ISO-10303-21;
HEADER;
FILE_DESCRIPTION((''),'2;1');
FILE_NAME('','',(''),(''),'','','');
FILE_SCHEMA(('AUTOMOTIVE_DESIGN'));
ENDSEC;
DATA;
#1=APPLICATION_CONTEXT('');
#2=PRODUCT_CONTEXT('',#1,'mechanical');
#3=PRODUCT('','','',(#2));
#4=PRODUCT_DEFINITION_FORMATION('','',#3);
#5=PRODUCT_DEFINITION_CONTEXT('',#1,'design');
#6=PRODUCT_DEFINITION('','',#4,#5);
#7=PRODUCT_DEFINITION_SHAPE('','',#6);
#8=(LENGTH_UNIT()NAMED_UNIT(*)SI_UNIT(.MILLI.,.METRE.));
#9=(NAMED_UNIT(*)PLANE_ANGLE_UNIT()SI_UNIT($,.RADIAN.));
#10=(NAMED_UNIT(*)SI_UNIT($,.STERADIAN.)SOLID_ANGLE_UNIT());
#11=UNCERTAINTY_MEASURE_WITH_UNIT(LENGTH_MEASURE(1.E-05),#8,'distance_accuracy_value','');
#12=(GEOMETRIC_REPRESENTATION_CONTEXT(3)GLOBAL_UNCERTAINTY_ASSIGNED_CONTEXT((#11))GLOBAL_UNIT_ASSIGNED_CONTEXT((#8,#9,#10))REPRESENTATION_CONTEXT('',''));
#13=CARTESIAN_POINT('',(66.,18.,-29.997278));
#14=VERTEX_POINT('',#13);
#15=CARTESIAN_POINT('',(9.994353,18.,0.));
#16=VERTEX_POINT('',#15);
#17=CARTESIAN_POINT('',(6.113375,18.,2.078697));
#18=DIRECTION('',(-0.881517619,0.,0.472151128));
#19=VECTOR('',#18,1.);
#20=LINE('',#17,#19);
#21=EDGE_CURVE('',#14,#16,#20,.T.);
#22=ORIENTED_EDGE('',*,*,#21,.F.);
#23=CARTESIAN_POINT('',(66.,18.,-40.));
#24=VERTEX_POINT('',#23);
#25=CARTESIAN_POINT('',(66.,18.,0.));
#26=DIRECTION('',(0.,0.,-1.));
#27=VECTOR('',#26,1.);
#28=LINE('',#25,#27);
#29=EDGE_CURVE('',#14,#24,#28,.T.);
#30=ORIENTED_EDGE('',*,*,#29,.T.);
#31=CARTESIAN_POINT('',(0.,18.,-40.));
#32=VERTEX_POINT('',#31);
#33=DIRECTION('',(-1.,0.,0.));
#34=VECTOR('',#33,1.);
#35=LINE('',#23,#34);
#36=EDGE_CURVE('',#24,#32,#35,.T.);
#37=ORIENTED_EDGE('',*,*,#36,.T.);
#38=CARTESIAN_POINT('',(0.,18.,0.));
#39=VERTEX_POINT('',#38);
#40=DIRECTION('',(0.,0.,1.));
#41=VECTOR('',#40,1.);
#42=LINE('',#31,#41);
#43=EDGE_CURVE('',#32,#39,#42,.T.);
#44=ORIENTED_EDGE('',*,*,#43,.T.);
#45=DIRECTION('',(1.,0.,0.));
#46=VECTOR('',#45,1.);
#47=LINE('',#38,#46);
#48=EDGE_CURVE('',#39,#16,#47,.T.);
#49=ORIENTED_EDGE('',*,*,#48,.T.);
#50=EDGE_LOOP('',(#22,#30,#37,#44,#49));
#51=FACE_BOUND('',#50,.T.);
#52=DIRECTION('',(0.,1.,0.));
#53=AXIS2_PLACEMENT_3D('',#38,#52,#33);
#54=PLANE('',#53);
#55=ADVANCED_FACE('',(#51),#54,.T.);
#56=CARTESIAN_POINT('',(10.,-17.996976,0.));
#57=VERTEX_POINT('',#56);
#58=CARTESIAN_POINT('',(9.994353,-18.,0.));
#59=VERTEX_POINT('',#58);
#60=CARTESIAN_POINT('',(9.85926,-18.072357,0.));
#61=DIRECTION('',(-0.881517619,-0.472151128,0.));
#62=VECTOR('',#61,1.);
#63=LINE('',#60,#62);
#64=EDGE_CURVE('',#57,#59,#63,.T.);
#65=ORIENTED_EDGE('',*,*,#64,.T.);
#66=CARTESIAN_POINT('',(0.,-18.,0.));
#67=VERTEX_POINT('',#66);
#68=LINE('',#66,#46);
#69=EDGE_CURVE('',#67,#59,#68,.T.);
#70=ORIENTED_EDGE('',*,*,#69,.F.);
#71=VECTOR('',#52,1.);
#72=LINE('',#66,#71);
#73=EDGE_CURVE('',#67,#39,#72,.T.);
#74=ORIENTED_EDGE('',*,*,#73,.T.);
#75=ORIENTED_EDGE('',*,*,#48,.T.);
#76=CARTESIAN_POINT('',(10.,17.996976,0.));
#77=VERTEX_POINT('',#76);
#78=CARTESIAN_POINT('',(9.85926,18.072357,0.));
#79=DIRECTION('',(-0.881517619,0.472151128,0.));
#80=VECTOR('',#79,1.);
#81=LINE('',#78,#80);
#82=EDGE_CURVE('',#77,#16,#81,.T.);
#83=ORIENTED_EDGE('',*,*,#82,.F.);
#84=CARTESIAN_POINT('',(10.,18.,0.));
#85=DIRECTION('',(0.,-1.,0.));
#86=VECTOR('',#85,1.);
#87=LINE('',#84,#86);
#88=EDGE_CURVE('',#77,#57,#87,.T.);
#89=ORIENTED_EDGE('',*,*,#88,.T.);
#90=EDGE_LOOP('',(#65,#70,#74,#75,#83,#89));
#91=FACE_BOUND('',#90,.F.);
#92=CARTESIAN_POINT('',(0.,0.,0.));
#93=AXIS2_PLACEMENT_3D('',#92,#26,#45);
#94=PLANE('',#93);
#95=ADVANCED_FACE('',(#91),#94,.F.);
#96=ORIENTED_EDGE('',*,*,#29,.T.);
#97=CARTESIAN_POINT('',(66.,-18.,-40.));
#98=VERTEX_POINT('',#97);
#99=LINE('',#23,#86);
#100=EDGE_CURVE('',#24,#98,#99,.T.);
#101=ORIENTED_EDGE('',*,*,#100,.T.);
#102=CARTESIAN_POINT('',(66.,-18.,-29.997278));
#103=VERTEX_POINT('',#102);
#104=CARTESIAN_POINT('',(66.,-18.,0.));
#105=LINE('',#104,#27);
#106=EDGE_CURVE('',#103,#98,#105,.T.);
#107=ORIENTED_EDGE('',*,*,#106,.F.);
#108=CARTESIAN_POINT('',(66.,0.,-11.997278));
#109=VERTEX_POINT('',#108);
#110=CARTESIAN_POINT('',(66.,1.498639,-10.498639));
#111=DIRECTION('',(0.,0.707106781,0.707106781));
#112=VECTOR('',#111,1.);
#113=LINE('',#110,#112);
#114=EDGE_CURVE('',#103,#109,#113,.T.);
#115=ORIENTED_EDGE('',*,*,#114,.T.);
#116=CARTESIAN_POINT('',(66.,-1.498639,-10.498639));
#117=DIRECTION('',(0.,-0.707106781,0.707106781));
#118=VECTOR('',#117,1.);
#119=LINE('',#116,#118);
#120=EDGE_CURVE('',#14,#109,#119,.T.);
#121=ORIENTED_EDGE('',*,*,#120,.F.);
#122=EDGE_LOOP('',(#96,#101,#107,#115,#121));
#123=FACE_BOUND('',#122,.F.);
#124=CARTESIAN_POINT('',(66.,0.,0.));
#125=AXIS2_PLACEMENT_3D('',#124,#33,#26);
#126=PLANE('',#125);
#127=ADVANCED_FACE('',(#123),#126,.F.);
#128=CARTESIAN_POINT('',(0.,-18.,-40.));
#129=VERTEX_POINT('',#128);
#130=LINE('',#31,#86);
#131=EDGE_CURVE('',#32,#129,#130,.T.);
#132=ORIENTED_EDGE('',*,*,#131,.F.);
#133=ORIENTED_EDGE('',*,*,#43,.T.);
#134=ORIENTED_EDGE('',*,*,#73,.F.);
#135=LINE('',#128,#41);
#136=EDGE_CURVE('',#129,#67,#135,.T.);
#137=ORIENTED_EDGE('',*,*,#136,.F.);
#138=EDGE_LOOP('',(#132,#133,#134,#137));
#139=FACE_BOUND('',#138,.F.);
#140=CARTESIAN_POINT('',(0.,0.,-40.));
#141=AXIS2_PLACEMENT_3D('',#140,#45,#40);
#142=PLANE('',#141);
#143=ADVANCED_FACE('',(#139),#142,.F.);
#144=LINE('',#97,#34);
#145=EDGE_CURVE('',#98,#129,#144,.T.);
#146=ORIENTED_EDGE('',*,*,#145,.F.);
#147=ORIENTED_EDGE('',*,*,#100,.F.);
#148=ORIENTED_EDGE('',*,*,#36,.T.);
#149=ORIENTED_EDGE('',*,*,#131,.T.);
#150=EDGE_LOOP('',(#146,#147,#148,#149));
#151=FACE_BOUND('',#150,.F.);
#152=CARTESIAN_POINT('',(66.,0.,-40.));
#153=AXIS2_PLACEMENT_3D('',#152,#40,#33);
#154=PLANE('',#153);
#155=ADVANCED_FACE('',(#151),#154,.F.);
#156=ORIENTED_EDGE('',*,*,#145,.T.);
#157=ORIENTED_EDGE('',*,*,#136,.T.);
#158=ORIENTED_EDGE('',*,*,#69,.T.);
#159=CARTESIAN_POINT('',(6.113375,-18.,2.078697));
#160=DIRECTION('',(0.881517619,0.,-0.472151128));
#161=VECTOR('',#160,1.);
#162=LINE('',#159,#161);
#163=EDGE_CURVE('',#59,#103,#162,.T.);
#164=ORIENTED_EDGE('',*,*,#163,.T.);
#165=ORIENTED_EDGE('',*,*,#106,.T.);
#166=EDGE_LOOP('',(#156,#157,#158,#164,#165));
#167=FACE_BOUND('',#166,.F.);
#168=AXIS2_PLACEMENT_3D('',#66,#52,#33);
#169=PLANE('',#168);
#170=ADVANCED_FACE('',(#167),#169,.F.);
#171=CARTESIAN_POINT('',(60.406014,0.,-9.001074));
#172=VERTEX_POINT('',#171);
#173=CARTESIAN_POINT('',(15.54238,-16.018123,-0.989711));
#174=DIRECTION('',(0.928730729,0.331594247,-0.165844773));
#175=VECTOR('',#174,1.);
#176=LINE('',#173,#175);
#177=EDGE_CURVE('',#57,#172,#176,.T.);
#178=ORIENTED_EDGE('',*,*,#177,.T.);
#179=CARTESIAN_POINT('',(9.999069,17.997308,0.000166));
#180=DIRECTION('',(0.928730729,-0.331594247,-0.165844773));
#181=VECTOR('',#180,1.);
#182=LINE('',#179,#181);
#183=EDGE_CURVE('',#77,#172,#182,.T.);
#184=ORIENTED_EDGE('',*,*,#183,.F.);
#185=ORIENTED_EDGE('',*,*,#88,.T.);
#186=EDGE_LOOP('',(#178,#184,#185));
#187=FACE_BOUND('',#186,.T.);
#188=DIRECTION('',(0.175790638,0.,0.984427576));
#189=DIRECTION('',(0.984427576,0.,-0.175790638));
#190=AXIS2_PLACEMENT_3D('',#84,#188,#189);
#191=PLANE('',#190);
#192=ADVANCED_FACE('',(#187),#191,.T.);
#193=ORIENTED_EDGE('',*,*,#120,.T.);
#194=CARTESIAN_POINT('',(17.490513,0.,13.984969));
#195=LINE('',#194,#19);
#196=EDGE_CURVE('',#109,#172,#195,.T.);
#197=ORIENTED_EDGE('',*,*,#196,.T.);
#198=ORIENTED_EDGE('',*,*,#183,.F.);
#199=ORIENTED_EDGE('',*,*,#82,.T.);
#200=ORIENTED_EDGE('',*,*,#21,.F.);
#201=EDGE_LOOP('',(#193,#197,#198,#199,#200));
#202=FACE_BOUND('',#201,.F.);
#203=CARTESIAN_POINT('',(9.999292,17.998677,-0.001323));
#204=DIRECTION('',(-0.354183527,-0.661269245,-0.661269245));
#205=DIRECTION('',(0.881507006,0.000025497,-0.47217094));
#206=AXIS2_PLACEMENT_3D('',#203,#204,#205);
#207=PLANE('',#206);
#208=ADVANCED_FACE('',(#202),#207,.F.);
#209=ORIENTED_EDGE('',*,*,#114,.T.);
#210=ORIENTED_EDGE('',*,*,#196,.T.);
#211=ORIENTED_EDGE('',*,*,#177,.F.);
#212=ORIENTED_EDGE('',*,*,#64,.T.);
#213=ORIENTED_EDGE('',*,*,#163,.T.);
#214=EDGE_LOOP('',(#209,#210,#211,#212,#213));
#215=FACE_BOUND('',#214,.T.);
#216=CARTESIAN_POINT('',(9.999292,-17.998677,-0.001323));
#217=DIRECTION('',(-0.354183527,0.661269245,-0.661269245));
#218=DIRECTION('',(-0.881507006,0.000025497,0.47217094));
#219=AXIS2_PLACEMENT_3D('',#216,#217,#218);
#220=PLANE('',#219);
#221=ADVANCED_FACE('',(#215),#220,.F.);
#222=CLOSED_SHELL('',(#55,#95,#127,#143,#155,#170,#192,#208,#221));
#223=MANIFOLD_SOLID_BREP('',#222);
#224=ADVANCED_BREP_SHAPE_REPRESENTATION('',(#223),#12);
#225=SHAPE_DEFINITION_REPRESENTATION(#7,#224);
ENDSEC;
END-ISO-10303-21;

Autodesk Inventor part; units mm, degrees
ref_plane "YZ Plane" through (0, 0, 0) normal (1, 0, 0) x (0, 1, 0)
ref_plane "XZ Plane" through (0, 0, 0) normal (0, 1, 0) x (-1, 0, 0)
sketch "草圖1" plane through (0, 0, 0) normal (0, 1, 0) x (-1, 0, 0)
  line L0 (0, 0) -> (-66, 0)
  line L1 (-66, 0) -> (-66, -40)
  line L2 (-66, -40) -> (0, -40)
  line L3 (0, -40) -> (0, 0)
  dimension "d0" = 66
  dimension "d1" = 40
extrude "擠出1" add sketch "草圖1" along normal mid plane 36
sketch "草圖2" plane through (0, 18, 0) normal (0, 1, 0) x (1, 0, 0)
  line L0 (0, 0) -> (66, 0) projected
  line L1 (10, 0) -> (66, 10)
  line L2 (66, 0) -> (66, 40) projected
  dimension "d4" = 10
  dimension "d5" = 30
extrude "擠出2" cut sketch "草圖2" against normal blind 40
sketch "草圖3" plane through (66, -18, -40) normal (1, 0, 0) x (0, 0, -1)
  line L0 (-30, 16) -> (-10, 36)
  line L1 (0, 36) -> (-40, 36) projected
  line L2 (-30, 36) -> (-30, 0) projected
  point P0 (-40, 18)
  dimension "d8" = 20
  dimension "d9" = 20
ref_plane "工作平面1" through (10, 18, 0) normal (-0.3542, -0.6613, -0.6613) x (0.8815, 0, -0.4722)
sketch "草圖4" plane through (10, 18, 0) normal (-0.3542, -0.6613, -0.6613) x (0.8815, 0, -0.4722)
  line L0 (-15.1543, -12.3218) -> (93.717, -12.3218)
  line L1 (93.717, -12.3218) -> (93.717, 28.8166)
  line L2 (93.717, 28.8166) -> (-15.1543, 28.8166)
  line L3 (-15.1543, 28.8166) -> (-15.1543, -12.3218)
  point P0 (-8.8148, 10.3803)
extrude "擠出3" cut sketch "草圖4" against normal blind 40
mirror "鏡射1" about plane through (0, 0, 0) normal (0, 1, 0) of "擠出3"
properties part number "15"
